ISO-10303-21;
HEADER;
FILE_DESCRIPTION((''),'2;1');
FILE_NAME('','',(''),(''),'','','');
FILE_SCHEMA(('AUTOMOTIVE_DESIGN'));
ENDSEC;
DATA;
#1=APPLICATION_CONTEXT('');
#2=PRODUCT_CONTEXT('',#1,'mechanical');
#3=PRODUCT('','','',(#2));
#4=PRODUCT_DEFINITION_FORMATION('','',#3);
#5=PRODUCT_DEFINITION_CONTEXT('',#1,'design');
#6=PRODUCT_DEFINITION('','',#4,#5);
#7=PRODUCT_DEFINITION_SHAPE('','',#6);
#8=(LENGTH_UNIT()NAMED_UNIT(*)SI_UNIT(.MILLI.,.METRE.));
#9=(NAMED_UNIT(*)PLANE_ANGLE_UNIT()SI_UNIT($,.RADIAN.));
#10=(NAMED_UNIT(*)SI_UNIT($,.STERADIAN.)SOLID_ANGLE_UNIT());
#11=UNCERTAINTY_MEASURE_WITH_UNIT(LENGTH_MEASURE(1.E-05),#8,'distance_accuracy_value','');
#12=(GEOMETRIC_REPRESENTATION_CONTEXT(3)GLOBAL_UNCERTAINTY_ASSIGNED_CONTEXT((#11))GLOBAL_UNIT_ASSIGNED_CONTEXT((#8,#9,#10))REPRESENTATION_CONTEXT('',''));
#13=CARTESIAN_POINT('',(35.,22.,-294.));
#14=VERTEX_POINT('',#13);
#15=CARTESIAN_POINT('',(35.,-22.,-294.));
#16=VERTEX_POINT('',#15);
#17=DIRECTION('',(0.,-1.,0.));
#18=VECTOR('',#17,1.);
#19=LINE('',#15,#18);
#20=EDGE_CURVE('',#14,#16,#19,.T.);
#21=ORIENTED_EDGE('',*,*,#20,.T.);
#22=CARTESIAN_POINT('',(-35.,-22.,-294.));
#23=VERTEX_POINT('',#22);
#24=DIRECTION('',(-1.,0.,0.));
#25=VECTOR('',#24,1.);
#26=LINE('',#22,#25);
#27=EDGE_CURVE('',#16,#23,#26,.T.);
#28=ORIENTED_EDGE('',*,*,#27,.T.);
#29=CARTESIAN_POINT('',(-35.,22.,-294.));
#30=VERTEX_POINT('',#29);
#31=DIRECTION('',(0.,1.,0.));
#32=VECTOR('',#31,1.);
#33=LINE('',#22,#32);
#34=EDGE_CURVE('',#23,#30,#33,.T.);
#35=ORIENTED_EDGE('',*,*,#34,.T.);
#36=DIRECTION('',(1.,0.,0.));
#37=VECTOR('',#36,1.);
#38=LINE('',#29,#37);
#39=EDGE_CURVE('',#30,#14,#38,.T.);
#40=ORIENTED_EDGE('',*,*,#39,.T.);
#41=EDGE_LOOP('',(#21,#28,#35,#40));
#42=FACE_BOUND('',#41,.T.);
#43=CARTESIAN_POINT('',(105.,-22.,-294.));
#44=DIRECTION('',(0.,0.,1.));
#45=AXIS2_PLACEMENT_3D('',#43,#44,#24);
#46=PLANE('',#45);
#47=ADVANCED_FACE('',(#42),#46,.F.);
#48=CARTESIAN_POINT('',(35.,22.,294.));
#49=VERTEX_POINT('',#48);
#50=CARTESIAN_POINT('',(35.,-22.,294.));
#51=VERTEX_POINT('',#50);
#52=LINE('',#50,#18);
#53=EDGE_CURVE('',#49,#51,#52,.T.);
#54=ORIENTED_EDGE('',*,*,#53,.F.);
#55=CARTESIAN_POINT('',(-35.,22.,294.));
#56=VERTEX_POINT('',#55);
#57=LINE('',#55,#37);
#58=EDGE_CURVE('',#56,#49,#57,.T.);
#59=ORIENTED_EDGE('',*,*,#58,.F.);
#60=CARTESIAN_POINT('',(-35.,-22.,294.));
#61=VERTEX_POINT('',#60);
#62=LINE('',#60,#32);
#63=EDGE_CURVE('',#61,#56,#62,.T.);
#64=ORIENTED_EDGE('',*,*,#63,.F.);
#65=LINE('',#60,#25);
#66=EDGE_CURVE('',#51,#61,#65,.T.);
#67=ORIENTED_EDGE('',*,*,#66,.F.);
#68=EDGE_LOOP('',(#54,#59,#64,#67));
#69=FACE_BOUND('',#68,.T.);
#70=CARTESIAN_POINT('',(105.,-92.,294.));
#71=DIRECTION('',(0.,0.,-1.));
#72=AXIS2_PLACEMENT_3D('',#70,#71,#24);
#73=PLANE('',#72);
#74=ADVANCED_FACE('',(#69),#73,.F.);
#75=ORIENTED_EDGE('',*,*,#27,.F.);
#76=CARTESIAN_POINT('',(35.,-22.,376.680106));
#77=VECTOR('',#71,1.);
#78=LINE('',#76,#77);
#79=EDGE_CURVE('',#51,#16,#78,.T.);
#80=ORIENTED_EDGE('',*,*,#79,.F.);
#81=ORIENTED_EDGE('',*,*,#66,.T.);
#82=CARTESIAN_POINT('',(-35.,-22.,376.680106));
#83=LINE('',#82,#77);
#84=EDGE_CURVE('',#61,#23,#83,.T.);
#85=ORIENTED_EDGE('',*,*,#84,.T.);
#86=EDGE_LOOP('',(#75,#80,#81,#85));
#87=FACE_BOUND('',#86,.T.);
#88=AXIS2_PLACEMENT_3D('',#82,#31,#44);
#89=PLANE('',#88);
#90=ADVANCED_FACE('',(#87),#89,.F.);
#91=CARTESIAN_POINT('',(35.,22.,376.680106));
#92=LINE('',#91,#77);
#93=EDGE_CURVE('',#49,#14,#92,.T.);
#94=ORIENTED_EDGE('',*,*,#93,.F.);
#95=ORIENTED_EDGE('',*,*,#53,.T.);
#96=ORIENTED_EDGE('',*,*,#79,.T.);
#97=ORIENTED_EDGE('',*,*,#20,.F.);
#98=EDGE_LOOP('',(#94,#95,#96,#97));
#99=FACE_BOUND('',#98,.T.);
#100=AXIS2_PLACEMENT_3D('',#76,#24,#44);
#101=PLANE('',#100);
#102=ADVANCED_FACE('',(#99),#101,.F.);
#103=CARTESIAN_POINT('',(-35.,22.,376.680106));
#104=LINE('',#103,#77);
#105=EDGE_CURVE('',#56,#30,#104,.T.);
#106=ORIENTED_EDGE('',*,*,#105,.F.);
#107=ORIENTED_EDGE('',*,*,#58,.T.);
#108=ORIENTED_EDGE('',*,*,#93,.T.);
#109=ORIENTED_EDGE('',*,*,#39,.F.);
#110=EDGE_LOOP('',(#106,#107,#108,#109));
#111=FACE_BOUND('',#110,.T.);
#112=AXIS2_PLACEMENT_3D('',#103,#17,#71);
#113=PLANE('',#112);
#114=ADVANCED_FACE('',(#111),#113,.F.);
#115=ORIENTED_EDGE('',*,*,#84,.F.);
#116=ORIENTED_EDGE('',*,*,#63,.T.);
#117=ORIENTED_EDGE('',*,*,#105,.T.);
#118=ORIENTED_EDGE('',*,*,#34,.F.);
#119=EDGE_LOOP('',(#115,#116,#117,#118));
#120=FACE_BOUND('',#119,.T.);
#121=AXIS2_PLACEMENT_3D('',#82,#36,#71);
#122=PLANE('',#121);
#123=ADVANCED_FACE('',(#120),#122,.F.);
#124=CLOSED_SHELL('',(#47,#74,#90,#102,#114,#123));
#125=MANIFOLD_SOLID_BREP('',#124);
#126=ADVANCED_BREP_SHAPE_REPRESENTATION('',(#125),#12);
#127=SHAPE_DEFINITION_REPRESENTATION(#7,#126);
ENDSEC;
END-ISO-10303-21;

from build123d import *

# Parameters (mm, degrees)
BOSS_EXTRUDE1_DEPTH      = 294
BOSS_EXTRUDE1_DEPTH_BACK = 294
SKETCH1_W                = 70
SKETCH1_H                = 44


with BuildPart() as part:
    # Sketch1 → Boss-Extrude1 (new, two sides: drawn at the far end of the back side and taken through both)
    with BuildSketch(Plane.XY.offset(-BOSS_EXTRUDE1_DEPTH_BACK)):
        Rectangle(SKETCH1_W, SKETCH1_H)
    extrude(amount=BOSS_EXTRUDE1_DEPTH + BOSS_EXTRUDE1_DEPTH_BACK)


solid = part.part
